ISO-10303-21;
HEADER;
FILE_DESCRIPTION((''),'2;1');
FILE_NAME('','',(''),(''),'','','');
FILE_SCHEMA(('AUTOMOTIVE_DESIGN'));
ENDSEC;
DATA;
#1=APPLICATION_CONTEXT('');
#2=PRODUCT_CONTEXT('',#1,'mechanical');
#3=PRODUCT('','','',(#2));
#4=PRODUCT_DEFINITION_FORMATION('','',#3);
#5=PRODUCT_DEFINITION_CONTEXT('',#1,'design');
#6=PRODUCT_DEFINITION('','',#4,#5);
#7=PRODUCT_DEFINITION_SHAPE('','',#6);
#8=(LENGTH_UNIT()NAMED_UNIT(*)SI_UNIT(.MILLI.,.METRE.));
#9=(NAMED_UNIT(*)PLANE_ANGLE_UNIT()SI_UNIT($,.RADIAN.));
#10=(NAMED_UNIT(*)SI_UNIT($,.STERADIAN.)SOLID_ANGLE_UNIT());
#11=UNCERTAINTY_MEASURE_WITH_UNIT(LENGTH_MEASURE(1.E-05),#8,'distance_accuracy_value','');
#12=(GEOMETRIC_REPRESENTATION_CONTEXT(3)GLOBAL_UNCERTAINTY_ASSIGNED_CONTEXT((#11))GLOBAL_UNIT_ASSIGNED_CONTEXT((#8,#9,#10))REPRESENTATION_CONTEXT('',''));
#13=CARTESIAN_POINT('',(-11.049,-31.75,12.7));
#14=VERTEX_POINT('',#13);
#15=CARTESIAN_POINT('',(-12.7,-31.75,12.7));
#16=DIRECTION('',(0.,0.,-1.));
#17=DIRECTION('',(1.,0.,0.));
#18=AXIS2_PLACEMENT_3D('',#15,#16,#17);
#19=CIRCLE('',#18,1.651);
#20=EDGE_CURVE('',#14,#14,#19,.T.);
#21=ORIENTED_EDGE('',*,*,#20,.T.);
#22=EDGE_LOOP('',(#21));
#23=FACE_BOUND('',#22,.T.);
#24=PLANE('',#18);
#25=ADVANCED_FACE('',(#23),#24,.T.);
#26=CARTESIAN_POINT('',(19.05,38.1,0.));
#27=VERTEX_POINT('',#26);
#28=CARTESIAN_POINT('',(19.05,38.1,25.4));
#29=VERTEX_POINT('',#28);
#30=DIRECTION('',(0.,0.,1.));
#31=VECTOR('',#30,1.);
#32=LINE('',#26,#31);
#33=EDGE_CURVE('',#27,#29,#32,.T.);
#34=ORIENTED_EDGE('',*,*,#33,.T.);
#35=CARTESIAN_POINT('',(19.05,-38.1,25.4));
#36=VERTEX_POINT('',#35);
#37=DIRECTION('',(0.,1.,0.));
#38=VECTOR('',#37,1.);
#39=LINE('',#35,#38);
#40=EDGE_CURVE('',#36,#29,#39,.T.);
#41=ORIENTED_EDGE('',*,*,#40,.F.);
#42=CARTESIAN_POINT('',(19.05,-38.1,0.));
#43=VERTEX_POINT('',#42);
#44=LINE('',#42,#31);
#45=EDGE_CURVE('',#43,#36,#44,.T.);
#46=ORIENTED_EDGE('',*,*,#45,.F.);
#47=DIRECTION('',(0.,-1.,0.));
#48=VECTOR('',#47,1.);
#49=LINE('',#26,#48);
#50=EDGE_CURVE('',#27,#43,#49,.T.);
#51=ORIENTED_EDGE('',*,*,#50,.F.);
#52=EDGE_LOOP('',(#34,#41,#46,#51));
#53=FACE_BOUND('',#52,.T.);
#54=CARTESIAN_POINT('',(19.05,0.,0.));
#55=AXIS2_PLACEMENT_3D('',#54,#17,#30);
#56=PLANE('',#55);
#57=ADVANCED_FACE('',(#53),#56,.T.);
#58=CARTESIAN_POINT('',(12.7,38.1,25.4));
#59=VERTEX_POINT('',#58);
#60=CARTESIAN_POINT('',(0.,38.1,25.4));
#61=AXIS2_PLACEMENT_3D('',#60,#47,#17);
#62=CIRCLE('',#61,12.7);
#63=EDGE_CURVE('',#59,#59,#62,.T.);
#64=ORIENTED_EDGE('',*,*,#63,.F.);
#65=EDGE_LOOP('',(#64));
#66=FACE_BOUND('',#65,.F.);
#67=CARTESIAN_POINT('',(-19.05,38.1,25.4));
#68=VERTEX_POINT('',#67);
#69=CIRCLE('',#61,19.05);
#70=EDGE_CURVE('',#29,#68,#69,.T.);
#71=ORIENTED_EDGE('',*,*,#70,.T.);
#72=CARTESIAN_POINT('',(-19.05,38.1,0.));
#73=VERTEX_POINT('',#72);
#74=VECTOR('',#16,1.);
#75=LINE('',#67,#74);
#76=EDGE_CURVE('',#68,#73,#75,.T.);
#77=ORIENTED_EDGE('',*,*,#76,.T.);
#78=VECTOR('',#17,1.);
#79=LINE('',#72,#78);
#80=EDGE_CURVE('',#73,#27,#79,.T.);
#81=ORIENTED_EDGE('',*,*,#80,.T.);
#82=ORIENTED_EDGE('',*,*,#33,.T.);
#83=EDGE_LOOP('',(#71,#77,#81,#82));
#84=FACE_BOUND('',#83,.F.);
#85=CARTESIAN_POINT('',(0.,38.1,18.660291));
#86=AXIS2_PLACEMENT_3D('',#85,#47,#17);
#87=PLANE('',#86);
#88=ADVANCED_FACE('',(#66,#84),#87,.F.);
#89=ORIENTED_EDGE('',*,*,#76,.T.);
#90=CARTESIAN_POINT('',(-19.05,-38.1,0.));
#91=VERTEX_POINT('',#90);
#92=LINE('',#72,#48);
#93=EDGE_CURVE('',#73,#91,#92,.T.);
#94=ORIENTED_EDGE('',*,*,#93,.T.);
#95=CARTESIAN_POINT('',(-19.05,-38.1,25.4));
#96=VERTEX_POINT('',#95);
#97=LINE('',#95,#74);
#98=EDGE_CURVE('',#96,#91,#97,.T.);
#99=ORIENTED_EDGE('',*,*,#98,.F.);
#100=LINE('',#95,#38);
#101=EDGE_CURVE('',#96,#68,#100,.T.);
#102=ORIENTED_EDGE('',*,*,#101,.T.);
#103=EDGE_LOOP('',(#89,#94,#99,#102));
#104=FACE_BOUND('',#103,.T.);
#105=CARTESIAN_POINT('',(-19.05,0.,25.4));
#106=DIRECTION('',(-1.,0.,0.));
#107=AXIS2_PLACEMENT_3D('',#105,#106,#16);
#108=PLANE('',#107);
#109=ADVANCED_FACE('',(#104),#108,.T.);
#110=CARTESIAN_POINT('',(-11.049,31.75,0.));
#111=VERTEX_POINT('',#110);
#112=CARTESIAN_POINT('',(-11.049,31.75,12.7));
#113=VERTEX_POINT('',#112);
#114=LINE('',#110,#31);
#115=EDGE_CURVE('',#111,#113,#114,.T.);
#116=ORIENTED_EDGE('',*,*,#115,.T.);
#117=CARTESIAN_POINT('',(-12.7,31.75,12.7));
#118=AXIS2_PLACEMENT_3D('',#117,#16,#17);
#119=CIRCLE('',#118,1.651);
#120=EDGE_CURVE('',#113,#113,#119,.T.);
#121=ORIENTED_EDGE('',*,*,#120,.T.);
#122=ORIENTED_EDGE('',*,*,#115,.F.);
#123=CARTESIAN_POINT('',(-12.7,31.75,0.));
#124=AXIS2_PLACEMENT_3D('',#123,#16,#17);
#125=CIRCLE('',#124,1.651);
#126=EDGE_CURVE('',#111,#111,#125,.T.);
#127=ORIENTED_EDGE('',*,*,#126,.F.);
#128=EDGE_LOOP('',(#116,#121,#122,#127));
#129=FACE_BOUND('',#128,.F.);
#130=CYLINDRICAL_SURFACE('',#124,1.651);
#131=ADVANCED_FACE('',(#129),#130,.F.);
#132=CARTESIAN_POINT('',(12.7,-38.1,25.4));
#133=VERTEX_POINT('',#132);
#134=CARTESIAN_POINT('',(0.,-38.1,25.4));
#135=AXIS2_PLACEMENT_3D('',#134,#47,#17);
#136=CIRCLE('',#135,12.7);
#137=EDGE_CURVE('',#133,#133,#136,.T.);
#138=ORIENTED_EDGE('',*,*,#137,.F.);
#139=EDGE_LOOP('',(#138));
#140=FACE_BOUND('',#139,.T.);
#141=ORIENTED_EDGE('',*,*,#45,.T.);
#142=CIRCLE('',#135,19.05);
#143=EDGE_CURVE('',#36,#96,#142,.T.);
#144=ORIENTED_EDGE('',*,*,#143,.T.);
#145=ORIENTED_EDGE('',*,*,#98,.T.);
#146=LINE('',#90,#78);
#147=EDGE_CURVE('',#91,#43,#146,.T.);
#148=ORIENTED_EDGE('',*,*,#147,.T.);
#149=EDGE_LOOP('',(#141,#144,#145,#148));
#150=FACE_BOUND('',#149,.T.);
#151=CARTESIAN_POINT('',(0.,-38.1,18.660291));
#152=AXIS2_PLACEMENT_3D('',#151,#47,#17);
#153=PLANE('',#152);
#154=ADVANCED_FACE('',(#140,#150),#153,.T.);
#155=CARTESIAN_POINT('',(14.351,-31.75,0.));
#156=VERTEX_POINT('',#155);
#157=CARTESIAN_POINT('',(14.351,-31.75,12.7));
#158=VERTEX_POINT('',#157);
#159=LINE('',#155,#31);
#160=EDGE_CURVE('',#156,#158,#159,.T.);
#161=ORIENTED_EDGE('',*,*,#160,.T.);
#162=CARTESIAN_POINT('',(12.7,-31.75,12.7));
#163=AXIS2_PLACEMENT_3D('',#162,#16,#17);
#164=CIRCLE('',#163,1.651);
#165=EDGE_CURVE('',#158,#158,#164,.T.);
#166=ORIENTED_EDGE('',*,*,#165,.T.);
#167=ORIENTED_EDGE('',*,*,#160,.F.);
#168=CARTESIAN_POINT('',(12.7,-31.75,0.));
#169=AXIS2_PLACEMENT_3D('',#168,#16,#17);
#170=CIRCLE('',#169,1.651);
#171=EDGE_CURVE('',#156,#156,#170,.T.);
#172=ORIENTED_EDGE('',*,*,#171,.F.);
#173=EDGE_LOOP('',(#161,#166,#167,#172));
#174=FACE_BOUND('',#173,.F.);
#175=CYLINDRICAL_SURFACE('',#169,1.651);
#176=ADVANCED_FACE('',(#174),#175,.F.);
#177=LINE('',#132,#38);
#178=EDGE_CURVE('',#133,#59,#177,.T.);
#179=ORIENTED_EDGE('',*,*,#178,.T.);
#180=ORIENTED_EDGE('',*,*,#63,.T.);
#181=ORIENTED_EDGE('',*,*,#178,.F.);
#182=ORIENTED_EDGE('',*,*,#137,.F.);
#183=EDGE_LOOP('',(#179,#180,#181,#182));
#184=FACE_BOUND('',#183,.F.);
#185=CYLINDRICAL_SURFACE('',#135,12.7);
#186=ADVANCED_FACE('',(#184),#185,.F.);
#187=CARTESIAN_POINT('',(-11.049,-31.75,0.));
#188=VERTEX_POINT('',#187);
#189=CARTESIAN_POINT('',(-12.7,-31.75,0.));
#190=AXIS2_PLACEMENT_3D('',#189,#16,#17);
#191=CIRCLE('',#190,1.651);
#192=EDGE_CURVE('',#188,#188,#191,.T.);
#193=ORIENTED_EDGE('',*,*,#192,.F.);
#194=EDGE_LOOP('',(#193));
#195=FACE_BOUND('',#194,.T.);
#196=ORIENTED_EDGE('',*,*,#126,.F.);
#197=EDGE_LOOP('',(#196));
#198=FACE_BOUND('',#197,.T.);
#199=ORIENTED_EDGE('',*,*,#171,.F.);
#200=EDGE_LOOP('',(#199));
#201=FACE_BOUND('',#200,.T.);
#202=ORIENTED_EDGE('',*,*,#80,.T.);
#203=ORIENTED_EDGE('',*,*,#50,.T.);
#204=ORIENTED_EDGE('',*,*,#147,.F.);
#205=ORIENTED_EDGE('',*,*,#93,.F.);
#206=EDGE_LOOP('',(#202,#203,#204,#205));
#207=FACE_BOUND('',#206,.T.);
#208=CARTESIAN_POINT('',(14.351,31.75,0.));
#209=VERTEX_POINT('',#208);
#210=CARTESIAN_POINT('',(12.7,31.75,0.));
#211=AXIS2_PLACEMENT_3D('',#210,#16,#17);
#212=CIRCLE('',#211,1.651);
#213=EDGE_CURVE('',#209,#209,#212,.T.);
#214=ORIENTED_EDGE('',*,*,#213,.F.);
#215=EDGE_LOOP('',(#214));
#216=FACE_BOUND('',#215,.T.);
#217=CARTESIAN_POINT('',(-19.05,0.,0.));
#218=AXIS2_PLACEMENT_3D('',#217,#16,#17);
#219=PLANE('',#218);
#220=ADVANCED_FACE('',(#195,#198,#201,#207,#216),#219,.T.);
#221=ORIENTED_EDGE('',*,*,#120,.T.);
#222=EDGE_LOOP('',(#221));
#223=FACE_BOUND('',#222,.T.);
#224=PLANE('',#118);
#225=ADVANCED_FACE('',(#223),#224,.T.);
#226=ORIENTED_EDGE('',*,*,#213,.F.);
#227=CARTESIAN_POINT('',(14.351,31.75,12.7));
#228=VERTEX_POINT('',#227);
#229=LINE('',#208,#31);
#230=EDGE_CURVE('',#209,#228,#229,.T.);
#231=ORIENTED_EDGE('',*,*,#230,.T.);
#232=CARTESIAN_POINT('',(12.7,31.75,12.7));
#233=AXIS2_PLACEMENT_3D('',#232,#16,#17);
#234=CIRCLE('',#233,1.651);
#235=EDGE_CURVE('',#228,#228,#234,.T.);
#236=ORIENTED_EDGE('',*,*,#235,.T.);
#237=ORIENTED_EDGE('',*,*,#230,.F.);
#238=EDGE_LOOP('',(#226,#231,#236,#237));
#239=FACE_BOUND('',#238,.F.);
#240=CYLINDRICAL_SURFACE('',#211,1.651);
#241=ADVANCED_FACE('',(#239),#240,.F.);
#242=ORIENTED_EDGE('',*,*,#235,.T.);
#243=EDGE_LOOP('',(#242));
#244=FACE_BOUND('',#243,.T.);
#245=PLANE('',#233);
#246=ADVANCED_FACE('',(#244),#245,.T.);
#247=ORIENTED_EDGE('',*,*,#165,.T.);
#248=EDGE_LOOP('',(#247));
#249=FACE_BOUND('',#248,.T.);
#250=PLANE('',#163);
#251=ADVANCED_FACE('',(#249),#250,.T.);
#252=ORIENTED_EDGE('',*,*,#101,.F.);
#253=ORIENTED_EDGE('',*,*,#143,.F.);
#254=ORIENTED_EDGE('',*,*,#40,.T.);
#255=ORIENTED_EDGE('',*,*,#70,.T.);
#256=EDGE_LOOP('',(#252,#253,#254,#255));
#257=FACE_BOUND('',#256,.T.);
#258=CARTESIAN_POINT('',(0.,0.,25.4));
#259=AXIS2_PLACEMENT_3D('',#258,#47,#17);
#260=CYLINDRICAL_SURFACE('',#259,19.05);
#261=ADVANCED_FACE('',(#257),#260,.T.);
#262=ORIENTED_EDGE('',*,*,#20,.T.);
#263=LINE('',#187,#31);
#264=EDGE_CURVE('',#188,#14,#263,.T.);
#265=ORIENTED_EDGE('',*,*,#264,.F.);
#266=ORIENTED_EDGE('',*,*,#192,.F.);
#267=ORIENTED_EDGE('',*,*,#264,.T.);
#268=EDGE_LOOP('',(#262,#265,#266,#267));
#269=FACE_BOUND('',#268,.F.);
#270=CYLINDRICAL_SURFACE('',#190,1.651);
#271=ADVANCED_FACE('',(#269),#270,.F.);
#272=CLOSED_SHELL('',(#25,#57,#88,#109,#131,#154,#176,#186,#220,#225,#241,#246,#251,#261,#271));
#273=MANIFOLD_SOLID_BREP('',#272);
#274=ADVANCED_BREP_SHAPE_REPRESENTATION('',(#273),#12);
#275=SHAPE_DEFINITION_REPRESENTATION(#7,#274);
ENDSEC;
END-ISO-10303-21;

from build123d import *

# Parameters (mm, degrees)
F1_DEPTH = 38.1
F2_R     = 12.7
F3_DEPTH = 101.346
F4_R     = 1.651
F5_DEPTH = 12.7


with BuildPart() as f1:
    # F0 (on Front) → F1 (new body, symmetric)
    with BuildSketch(Plane.XZ):
        with BuildLine():
            Line((-19.05, 25.4), (-19.05, 0))
            Line((-19.05, 0), (19.05, 0))
            Line((19.05, 0), (19.05, 25.4))
            ThreePointArc((19.05, 25.4), (0, 44.45), (-19.05, 25.4))
        make_face()
    extrude(amount=F1_DEPTH, both=True)

    # F2 (on face) → F3 (cut)
    with BuildSketch(Plane.XZ.offset(38.1)):
        with Locations((0, 25.4)):
            Circle(F2_R)
    extrude(amount=-F3_DEPTH, mode=Mode.SUBTRACT)

    # F4 (on face) → F5 (cut)
    with BuildSketch(Plane(origin=(0, 0, 0), x_dir=(1, 0, 0), z_dir=(0, 0, -1))):
        with Locations((12.7, 31.75)):
            Circle(F4_R)
        with Locations((-12.7, 31.75)):
            Circle(F4_R)
        with Locations((-12.7, -31.75)):
            Circle(F4_R)
        with Locations((12.7, -31.75)):
            Circle(F4_R)
    extrude(amount=-F5_DEPTH, mode=Mode.SUBTRACT)


solid = f1.part
